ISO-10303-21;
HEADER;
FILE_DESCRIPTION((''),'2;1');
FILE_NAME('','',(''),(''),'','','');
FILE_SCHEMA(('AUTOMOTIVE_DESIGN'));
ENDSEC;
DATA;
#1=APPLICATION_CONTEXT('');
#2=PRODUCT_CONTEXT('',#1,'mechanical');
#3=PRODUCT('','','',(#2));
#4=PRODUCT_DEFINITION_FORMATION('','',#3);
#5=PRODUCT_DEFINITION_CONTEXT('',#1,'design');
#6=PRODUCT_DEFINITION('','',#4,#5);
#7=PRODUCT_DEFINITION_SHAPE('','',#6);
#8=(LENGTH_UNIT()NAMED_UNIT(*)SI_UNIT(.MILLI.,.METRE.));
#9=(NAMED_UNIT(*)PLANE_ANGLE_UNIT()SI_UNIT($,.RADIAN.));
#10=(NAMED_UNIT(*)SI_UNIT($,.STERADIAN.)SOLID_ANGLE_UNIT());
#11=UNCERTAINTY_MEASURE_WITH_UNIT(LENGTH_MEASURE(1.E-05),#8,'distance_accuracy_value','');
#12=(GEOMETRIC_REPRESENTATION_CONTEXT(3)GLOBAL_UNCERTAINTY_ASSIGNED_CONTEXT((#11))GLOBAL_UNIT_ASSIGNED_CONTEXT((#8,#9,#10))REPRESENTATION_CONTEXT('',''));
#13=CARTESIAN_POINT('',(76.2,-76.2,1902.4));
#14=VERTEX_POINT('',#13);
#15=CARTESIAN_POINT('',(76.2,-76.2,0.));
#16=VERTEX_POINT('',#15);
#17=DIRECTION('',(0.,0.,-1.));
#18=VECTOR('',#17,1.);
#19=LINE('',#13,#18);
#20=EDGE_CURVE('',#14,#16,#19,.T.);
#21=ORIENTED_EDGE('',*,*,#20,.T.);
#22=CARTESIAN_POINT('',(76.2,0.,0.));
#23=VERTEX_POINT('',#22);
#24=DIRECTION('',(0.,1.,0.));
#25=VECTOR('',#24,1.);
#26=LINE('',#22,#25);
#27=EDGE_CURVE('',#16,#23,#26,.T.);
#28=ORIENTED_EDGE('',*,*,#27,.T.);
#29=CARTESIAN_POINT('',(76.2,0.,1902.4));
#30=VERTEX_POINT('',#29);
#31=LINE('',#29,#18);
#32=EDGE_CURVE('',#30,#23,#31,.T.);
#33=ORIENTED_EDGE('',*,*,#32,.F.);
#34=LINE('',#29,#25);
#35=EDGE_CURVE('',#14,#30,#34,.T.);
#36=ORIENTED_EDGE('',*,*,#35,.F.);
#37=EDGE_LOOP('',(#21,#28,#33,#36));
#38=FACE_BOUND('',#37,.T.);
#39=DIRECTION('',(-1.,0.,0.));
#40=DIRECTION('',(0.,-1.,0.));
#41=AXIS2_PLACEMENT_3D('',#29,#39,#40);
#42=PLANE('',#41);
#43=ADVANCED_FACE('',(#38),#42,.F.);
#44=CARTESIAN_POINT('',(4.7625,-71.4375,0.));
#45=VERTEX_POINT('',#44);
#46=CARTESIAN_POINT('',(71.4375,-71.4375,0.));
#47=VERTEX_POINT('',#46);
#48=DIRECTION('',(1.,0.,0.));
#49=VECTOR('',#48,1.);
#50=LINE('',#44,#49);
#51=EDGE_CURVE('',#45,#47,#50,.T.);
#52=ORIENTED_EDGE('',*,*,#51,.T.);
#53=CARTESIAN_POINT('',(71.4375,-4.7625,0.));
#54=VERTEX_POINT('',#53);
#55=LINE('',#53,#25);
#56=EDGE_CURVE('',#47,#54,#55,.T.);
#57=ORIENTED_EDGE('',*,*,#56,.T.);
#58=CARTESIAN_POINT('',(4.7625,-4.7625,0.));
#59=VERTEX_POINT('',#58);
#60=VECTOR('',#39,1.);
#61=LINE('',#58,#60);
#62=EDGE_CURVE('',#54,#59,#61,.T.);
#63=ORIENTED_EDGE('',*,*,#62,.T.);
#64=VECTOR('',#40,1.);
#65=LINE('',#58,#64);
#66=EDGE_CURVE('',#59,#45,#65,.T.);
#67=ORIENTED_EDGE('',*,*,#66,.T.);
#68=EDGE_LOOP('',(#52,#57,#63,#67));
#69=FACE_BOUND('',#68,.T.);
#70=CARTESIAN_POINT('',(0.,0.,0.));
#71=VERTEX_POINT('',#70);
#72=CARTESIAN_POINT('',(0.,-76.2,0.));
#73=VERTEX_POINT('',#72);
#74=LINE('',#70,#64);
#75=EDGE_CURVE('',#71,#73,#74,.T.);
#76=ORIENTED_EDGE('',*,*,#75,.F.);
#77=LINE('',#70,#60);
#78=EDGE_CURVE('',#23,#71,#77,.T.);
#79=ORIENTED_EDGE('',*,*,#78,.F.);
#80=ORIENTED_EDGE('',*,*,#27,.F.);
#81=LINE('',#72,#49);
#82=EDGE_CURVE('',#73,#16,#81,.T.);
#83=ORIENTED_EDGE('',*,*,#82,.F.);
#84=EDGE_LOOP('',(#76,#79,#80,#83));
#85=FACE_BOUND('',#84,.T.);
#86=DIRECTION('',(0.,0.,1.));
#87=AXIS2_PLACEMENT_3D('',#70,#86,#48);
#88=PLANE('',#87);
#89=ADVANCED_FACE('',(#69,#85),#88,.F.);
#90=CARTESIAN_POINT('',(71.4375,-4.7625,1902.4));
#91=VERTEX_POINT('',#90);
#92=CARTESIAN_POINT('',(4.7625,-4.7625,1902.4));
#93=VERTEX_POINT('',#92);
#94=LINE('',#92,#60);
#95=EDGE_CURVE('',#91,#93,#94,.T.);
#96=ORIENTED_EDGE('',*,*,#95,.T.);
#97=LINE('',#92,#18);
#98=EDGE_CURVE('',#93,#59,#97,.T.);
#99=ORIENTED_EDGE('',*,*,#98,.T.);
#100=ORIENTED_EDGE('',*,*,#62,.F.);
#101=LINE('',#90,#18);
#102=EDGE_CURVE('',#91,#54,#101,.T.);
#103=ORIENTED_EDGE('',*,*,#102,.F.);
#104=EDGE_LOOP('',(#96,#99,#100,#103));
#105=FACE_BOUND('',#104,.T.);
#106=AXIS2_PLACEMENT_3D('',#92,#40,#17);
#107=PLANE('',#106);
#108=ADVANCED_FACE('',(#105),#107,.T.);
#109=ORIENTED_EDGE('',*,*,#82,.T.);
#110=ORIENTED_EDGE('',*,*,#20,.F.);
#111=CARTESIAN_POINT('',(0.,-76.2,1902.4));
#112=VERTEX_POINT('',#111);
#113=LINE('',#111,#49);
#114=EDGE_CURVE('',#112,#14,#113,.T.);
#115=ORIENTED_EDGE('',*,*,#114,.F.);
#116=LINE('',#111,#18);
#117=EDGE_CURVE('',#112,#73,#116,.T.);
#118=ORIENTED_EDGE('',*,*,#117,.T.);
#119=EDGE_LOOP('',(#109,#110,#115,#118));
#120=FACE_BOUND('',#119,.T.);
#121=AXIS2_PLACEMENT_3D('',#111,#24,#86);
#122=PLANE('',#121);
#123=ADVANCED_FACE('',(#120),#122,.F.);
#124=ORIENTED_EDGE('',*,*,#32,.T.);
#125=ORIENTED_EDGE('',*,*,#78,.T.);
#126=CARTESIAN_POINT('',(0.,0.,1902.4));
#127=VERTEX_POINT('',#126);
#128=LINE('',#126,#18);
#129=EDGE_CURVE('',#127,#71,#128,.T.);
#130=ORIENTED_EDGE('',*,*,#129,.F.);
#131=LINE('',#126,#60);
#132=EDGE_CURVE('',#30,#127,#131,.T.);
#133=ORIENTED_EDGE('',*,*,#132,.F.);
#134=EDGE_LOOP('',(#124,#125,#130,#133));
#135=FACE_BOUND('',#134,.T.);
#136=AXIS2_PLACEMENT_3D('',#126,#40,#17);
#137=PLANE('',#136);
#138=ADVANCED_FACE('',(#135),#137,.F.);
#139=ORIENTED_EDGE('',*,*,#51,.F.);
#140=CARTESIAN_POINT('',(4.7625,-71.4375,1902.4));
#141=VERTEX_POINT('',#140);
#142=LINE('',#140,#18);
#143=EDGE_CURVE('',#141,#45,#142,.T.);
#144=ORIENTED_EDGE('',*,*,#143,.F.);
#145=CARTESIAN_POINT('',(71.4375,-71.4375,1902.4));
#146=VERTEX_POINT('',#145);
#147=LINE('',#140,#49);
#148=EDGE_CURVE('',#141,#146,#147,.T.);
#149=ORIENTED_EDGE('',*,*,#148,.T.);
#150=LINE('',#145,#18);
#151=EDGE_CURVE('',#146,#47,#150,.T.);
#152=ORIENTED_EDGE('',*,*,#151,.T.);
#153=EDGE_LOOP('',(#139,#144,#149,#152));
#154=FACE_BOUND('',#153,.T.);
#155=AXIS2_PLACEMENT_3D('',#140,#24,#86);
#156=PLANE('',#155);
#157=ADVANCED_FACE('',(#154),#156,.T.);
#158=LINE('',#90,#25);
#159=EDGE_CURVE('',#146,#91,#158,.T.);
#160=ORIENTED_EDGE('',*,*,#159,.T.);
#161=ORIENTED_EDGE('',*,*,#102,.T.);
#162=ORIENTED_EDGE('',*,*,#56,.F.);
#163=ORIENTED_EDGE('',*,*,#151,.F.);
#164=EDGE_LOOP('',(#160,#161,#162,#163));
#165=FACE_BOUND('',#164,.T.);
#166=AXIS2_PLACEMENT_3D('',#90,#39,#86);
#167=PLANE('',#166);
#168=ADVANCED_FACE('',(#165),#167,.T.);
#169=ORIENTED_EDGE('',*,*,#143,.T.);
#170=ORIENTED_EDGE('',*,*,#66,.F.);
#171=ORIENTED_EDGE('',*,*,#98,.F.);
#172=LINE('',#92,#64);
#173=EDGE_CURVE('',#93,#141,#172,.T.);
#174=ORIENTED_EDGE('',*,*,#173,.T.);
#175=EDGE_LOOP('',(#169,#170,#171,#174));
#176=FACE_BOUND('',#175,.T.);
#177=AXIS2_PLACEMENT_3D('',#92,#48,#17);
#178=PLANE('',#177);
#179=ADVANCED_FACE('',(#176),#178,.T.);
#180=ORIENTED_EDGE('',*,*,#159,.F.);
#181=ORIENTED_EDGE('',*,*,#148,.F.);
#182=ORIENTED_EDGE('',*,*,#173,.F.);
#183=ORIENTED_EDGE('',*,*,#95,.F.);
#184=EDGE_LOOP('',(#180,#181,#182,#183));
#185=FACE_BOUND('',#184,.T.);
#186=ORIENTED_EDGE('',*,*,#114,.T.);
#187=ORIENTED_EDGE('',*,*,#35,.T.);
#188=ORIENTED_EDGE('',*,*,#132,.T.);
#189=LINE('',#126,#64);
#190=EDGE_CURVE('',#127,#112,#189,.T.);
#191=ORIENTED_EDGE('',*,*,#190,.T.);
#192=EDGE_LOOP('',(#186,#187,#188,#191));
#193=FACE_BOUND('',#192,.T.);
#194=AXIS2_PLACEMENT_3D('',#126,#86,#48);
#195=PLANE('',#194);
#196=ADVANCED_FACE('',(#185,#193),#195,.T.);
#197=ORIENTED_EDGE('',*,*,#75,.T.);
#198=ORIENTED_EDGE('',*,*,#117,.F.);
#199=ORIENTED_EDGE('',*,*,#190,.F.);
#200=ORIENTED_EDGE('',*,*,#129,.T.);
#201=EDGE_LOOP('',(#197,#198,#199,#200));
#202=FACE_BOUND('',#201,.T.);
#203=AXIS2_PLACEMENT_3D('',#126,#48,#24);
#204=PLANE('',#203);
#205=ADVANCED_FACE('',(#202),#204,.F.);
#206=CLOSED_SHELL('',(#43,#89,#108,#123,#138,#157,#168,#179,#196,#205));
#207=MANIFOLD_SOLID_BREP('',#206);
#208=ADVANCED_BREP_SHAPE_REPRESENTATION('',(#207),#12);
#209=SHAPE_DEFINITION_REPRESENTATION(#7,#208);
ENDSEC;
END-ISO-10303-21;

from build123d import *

# Parameters (mm, degrees)
CROQUIS1_W              = 76.2
CROQUIS1_H              = 76.2
CROQUIS1_W_2            = 66.675
CROQUIS1_H_2            = 66.675
SALIENTE_EXTRUIR1_DEPTH = 1902.4


with BuildPart() as part:
    # Croquis1 → Saliente-Extruir1 (new body)
    with BuildSketch(Plane.XY):
        with Locations((38.1, -38.1)):
            Rectangle(CROQUIS1_W, CROQUIS1_H)
        with Locations((38.1, -38.1)):
            Rectangle(CROQUIS1_W_2, CROQUIS1_H_2, mode=Mode.SUBTRACT)
    extrude(amount=SALIENTE_EXTRUIR1_DEPTH)


solid = part.part
